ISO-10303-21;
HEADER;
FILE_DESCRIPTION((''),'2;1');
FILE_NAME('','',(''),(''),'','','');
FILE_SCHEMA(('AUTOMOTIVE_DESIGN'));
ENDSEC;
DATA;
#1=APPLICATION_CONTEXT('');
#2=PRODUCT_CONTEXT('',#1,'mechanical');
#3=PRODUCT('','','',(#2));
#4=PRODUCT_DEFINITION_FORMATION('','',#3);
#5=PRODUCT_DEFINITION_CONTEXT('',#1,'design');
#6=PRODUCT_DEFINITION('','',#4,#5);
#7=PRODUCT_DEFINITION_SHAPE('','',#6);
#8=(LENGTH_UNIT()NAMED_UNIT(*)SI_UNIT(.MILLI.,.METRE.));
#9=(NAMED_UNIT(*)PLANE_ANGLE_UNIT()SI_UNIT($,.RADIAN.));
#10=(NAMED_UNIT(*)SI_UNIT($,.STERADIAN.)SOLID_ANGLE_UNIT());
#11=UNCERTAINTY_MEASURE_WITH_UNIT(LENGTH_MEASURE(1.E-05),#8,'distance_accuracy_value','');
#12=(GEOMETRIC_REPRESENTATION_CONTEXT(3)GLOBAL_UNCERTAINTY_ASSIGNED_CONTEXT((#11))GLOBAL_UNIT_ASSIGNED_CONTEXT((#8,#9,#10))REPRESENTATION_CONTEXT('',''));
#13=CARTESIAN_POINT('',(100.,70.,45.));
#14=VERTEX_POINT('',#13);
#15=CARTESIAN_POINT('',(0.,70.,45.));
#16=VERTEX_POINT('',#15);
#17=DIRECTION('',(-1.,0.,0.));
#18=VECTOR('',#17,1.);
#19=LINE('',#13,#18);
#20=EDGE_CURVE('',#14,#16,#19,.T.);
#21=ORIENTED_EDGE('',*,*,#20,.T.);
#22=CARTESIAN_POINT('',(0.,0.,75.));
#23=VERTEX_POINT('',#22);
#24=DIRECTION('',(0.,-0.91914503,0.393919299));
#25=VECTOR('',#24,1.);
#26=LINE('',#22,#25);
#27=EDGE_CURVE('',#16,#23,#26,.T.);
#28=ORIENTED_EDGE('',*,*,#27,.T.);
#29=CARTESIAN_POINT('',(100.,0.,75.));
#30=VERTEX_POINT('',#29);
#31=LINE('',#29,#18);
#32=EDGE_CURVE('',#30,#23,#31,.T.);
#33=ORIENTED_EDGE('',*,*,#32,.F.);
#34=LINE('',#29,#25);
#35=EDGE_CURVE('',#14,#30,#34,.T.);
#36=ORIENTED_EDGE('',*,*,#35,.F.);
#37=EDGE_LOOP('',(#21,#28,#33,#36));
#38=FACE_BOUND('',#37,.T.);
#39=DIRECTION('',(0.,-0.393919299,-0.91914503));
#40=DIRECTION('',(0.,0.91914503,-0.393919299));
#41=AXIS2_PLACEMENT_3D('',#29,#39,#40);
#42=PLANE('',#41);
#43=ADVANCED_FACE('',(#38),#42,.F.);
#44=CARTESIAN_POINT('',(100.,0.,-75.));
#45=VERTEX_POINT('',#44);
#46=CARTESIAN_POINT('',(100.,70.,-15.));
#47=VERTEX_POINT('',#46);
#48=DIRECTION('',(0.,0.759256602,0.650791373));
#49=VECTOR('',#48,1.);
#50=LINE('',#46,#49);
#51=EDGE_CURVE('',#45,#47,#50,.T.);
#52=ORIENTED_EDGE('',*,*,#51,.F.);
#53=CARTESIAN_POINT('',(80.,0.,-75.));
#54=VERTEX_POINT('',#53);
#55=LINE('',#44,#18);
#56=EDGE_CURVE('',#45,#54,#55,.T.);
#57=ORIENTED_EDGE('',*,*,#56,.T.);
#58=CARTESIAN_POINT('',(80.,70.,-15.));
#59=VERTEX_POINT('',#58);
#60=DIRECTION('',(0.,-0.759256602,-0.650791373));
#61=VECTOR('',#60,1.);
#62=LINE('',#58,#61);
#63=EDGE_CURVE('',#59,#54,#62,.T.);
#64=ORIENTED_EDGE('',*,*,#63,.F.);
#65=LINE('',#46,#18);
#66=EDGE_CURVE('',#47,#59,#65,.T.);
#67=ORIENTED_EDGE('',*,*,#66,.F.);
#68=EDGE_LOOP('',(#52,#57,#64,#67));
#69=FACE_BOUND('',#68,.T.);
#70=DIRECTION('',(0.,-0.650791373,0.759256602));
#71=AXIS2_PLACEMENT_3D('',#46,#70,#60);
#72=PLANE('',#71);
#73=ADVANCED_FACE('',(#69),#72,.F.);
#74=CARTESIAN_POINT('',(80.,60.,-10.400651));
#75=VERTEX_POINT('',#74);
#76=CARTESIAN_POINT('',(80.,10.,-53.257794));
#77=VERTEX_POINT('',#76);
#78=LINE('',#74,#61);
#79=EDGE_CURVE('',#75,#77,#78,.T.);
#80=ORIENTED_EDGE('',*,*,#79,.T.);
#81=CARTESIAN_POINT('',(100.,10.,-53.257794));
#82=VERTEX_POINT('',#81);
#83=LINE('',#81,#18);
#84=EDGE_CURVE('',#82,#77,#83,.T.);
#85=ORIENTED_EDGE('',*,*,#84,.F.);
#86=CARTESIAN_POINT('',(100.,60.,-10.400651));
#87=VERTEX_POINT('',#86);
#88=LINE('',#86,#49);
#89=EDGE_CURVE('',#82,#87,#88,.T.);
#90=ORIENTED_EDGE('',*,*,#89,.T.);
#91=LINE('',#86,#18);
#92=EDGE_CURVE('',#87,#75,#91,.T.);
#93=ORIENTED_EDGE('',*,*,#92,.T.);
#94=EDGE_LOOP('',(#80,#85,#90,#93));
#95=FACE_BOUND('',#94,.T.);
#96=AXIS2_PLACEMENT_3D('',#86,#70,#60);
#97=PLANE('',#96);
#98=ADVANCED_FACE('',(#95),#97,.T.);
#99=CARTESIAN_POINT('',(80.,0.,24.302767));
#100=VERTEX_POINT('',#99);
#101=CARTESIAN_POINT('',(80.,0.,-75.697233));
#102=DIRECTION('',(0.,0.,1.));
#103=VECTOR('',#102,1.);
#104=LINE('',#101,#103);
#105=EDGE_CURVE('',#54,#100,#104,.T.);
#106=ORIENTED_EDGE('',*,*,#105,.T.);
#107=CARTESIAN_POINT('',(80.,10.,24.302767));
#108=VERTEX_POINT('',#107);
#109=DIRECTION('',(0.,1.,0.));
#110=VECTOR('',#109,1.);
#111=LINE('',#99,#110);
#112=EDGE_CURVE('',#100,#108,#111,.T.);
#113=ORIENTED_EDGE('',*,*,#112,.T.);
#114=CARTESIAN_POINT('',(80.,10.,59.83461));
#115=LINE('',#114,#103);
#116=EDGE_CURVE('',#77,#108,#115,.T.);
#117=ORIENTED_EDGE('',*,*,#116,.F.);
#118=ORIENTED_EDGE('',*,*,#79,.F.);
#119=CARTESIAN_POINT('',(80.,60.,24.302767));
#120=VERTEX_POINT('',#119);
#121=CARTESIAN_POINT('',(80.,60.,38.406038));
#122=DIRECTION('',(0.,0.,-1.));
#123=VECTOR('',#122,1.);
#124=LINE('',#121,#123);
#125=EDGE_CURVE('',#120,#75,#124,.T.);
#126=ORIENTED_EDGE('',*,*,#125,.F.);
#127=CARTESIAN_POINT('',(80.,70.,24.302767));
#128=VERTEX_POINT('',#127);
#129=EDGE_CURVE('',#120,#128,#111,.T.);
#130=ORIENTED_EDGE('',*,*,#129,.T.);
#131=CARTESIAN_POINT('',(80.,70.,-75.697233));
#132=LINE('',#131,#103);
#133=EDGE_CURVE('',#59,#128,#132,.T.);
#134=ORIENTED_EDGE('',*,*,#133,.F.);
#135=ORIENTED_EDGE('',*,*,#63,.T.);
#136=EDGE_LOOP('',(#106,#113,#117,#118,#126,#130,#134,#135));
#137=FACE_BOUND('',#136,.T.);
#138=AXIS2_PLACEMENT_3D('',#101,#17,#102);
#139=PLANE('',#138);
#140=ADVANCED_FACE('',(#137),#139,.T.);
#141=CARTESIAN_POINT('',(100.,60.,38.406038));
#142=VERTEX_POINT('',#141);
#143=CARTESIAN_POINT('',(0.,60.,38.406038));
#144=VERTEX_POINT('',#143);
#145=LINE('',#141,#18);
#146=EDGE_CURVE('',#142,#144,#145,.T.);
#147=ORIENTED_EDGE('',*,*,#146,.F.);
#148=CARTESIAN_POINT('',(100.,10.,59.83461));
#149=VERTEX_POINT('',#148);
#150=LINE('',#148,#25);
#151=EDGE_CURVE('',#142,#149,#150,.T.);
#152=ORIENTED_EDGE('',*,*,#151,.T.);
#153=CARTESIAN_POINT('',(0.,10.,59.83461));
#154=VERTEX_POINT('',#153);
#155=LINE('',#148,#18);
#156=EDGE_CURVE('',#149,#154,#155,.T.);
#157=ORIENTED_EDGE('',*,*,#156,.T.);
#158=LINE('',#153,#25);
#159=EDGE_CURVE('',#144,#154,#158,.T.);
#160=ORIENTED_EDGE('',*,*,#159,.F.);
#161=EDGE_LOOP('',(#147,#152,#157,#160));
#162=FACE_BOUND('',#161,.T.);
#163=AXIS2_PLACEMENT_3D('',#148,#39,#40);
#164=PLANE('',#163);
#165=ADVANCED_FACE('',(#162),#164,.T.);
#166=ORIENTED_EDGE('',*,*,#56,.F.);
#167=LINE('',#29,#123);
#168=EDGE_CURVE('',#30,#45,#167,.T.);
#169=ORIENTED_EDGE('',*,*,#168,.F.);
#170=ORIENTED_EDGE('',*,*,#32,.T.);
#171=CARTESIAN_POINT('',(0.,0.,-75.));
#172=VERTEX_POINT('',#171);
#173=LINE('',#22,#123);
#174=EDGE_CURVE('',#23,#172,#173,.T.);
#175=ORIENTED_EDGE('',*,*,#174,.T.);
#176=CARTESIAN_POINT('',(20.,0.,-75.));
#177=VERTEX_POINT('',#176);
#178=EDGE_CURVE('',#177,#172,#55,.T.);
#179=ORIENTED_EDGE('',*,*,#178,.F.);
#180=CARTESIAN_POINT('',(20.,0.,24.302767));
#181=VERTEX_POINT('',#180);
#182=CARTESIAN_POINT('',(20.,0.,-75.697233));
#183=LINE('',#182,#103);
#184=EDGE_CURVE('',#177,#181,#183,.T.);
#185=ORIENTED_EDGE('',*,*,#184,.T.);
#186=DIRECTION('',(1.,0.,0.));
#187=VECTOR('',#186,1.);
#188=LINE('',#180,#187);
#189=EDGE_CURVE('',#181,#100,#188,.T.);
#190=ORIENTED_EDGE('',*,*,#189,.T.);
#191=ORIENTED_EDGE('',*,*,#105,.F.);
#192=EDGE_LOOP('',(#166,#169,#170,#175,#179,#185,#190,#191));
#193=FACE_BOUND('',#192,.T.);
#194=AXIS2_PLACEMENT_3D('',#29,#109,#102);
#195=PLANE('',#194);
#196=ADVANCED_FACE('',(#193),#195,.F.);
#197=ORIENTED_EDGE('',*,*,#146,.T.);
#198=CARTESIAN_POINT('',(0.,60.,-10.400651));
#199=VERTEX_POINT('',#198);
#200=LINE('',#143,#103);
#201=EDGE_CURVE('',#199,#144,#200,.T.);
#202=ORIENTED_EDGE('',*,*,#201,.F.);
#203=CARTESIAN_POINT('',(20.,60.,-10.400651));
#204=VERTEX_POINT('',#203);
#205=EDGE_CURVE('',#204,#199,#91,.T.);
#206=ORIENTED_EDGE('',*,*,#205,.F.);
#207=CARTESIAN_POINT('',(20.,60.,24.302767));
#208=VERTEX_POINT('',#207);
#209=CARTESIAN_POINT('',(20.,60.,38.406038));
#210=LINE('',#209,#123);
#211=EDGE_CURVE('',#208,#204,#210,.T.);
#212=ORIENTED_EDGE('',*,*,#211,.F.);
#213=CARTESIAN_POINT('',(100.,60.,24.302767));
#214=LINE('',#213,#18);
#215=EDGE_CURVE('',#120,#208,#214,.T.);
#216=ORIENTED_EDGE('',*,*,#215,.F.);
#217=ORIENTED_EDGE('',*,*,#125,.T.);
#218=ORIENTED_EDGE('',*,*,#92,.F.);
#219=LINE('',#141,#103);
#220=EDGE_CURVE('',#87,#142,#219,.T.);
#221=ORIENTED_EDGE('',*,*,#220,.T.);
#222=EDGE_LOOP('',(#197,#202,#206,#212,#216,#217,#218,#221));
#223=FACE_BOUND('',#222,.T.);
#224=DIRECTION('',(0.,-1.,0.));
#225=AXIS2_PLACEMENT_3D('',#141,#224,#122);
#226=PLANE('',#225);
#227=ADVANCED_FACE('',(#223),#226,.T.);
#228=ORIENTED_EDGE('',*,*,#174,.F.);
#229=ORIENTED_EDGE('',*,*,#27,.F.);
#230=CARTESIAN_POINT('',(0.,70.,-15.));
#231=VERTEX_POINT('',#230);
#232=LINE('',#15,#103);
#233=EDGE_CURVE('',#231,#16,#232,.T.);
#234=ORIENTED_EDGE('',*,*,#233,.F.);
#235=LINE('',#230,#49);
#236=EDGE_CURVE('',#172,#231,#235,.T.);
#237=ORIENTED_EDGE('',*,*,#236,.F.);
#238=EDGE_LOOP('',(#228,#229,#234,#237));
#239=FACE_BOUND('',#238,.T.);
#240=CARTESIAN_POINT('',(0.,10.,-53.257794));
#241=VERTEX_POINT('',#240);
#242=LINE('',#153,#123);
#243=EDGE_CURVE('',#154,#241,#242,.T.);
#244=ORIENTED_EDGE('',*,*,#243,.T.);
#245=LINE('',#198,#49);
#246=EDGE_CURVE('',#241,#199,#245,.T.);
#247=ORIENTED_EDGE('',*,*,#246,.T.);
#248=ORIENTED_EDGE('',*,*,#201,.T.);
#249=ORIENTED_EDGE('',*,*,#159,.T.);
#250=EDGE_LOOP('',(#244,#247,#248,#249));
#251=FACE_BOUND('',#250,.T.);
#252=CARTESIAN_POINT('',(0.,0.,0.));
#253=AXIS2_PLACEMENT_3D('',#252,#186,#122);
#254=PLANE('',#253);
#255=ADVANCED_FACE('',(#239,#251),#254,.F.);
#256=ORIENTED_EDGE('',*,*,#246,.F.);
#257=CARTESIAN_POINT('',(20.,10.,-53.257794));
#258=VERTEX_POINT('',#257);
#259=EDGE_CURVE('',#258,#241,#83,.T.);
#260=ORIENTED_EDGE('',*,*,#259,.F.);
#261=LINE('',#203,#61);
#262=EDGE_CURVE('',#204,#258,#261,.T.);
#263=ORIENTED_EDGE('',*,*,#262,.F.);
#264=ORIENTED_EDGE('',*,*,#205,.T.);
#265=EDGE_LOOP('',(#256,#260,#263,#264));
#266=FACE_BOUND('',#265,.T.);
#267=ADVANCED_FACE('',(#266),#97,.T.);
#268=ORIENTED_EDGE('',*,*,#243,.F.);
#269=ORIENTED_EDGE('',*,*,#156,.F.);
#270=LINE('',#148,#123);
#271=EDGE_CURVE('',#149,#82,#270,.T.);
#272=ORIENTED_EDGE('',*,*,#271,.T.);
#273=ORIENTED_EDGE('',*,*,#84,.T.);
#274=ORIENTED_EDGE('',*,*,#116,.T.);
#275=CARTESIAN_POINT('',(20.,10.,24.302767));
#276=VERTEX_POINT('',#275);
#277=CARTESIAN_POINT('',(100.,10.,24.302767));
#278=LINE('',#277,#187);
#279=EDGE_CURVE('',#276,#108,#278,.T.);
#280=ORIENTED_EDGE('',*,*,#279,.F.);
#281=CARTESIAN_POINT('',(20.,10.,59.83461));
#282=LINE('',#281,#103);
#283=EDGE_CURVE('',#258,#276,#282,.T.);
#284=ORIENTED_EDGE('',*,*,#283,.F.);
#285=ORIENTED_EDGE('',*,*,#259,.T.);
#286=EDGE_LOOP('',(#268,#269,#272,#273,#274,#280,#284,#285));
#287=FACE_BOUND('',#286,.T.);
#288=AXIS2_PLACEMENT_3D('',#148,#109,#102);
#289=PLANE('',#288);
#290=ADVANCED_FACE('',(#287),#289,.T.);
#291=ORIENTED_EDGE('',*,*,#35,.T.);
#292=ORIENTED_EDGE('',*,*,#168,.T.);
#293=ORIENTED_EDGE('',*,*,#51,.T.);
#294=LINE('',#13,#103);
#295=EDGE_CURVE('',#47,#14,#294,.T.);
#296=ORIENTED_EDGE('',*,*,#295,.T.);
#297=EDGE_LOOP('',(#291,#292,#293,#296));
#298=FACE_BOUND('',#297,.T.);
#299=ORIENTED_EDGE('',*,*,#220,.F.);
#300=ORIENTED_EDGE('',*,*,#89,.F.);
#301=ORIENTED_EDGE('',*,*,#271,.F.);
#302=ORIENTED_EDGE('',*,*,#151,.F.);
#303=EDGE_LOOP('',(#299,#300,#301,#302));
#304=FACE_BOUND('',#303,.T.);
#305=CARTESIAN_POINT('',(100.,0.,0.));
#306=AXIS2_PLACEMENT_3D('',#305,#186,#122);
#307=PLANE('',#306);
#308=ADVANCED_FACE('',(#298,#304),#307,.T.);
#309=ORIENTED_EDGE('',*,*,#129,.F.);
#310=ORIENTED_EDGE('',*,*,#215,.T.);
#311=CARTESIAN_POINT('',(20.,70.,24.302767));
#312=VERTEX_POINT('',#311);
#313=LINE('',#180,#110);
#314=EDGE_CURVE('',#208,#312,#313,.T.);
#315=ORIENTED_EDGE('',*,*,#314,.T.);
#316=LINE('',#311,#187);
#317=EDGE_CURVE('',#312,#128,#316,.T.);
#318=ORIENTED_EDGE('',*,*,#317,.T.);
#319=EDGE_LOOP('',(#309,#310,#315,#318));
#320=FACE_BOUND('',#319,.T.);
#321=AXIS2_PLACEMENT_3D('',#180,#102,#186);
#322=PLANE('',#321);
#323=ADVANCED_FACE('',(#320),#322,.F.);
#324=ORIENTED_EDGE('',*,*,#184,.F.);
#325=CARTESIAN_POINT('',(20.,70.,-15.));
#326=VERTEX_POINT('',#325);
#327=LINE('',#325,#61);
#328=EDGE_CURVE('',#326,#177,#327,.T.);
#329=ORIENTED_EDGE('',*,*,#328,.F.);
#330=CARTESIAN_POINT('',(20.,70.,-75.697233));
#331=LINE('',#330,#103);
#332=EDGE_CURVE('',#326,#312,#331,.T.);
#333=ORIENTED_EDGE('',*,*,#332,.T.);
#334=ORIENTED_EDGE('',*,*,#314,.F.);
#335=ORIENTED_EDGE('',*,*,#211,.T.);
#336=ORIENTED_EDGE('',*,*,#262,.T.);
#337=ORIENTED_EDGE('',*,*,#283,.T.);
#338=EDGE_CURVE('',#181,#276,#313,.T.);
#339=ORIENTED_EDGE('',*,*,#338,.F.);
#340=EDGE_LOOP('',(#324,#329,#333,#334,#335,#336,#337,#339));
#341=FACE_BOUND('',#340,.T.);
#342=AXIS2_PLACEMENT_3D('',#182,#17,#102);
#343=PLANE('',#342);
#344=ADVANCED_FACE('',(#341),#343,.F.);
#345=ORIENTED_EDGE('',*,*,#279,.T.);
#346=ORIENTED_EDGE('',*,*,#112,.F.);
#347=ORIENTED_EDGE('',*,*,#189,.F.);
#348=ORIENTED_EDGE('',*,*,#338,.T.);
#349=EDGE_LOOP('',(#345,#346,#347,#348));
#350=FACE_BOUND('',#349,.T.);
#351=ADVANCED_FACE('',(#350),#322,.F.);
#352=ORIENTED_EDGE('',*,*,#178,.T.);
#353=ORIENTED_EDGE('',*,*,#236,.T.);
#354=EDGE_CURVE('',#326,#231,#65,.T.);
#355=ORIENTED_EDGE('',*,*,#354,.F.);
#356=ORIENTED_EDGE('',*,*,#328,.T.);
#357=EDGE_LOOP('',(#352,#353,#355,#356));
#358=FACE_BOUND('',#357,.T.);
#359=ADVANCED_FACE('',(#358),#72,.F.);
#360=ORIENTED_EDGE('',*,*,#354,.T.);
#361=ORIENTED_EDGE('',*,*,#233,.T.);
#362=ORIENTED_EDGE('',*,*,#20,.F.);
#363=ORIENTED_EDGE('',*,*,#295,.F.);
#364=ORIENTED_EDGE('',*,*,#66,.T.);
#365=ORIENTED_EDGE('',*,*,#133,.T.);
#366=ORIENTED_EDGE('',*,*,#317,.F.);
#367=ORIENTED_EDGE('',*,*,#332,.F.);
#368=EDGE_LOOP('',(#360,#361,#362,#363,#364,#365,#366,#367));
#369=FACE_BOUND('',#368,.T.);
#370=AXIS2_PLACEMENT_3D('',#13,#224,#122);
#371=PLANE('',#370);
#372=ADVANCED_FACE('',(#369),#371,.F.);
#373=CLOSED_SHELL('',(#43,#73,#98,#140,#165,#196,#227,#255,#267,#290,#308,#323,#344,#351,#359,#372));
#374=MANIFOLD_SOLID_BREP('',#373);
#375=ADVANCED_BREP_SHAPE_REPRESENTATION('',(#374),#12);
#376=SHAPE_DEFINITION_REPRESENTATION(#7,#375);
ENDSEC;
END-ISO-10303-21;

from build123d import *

# Parameters (mm, degrees)
BOSS_EXTRUDE1_DEPTH = 100
SKETCH4_W           = 60
SKETCH4_H           = 100
CUT_EXTRUDE2_DEPTH  = 71


with BuildPart() as part:
    # Sketch1 → Boss-Extrude1 (new body)
    with BuildSketch(Plane(origin=(0, 0, 0), x_dir=(0, 0, -1), z_dir=(1, 0, 0))):
        Polygon((-75, 0), (75, 0), (15, 70), (-45, 70), align=None)
        Polygon((-38.40603842, 60), (10.400650775, 60), (53.257793632, 10), (-59.834609849, 10), align=None, mode=Mode.SUBTRACT)
    extrude(amount=BOSS_EXTRUDE1_DEPTH)

    # Sketch4 → Cut-Extrude2 (cut, through all)
    with BuildSketch(Plane(origin=(0, 70, 0), x_dir=(1, 0, 0), z_dir=(0, 1, 0))):
        with Locations((50, 25.697233142)):
            Rectangle(SKETCH4_W, SKETCH4_H)
    extrude(amount=-CUT_EXTRUDE2_DEPTH, mode=Mode.SUBTRACT)


solid = part.part
